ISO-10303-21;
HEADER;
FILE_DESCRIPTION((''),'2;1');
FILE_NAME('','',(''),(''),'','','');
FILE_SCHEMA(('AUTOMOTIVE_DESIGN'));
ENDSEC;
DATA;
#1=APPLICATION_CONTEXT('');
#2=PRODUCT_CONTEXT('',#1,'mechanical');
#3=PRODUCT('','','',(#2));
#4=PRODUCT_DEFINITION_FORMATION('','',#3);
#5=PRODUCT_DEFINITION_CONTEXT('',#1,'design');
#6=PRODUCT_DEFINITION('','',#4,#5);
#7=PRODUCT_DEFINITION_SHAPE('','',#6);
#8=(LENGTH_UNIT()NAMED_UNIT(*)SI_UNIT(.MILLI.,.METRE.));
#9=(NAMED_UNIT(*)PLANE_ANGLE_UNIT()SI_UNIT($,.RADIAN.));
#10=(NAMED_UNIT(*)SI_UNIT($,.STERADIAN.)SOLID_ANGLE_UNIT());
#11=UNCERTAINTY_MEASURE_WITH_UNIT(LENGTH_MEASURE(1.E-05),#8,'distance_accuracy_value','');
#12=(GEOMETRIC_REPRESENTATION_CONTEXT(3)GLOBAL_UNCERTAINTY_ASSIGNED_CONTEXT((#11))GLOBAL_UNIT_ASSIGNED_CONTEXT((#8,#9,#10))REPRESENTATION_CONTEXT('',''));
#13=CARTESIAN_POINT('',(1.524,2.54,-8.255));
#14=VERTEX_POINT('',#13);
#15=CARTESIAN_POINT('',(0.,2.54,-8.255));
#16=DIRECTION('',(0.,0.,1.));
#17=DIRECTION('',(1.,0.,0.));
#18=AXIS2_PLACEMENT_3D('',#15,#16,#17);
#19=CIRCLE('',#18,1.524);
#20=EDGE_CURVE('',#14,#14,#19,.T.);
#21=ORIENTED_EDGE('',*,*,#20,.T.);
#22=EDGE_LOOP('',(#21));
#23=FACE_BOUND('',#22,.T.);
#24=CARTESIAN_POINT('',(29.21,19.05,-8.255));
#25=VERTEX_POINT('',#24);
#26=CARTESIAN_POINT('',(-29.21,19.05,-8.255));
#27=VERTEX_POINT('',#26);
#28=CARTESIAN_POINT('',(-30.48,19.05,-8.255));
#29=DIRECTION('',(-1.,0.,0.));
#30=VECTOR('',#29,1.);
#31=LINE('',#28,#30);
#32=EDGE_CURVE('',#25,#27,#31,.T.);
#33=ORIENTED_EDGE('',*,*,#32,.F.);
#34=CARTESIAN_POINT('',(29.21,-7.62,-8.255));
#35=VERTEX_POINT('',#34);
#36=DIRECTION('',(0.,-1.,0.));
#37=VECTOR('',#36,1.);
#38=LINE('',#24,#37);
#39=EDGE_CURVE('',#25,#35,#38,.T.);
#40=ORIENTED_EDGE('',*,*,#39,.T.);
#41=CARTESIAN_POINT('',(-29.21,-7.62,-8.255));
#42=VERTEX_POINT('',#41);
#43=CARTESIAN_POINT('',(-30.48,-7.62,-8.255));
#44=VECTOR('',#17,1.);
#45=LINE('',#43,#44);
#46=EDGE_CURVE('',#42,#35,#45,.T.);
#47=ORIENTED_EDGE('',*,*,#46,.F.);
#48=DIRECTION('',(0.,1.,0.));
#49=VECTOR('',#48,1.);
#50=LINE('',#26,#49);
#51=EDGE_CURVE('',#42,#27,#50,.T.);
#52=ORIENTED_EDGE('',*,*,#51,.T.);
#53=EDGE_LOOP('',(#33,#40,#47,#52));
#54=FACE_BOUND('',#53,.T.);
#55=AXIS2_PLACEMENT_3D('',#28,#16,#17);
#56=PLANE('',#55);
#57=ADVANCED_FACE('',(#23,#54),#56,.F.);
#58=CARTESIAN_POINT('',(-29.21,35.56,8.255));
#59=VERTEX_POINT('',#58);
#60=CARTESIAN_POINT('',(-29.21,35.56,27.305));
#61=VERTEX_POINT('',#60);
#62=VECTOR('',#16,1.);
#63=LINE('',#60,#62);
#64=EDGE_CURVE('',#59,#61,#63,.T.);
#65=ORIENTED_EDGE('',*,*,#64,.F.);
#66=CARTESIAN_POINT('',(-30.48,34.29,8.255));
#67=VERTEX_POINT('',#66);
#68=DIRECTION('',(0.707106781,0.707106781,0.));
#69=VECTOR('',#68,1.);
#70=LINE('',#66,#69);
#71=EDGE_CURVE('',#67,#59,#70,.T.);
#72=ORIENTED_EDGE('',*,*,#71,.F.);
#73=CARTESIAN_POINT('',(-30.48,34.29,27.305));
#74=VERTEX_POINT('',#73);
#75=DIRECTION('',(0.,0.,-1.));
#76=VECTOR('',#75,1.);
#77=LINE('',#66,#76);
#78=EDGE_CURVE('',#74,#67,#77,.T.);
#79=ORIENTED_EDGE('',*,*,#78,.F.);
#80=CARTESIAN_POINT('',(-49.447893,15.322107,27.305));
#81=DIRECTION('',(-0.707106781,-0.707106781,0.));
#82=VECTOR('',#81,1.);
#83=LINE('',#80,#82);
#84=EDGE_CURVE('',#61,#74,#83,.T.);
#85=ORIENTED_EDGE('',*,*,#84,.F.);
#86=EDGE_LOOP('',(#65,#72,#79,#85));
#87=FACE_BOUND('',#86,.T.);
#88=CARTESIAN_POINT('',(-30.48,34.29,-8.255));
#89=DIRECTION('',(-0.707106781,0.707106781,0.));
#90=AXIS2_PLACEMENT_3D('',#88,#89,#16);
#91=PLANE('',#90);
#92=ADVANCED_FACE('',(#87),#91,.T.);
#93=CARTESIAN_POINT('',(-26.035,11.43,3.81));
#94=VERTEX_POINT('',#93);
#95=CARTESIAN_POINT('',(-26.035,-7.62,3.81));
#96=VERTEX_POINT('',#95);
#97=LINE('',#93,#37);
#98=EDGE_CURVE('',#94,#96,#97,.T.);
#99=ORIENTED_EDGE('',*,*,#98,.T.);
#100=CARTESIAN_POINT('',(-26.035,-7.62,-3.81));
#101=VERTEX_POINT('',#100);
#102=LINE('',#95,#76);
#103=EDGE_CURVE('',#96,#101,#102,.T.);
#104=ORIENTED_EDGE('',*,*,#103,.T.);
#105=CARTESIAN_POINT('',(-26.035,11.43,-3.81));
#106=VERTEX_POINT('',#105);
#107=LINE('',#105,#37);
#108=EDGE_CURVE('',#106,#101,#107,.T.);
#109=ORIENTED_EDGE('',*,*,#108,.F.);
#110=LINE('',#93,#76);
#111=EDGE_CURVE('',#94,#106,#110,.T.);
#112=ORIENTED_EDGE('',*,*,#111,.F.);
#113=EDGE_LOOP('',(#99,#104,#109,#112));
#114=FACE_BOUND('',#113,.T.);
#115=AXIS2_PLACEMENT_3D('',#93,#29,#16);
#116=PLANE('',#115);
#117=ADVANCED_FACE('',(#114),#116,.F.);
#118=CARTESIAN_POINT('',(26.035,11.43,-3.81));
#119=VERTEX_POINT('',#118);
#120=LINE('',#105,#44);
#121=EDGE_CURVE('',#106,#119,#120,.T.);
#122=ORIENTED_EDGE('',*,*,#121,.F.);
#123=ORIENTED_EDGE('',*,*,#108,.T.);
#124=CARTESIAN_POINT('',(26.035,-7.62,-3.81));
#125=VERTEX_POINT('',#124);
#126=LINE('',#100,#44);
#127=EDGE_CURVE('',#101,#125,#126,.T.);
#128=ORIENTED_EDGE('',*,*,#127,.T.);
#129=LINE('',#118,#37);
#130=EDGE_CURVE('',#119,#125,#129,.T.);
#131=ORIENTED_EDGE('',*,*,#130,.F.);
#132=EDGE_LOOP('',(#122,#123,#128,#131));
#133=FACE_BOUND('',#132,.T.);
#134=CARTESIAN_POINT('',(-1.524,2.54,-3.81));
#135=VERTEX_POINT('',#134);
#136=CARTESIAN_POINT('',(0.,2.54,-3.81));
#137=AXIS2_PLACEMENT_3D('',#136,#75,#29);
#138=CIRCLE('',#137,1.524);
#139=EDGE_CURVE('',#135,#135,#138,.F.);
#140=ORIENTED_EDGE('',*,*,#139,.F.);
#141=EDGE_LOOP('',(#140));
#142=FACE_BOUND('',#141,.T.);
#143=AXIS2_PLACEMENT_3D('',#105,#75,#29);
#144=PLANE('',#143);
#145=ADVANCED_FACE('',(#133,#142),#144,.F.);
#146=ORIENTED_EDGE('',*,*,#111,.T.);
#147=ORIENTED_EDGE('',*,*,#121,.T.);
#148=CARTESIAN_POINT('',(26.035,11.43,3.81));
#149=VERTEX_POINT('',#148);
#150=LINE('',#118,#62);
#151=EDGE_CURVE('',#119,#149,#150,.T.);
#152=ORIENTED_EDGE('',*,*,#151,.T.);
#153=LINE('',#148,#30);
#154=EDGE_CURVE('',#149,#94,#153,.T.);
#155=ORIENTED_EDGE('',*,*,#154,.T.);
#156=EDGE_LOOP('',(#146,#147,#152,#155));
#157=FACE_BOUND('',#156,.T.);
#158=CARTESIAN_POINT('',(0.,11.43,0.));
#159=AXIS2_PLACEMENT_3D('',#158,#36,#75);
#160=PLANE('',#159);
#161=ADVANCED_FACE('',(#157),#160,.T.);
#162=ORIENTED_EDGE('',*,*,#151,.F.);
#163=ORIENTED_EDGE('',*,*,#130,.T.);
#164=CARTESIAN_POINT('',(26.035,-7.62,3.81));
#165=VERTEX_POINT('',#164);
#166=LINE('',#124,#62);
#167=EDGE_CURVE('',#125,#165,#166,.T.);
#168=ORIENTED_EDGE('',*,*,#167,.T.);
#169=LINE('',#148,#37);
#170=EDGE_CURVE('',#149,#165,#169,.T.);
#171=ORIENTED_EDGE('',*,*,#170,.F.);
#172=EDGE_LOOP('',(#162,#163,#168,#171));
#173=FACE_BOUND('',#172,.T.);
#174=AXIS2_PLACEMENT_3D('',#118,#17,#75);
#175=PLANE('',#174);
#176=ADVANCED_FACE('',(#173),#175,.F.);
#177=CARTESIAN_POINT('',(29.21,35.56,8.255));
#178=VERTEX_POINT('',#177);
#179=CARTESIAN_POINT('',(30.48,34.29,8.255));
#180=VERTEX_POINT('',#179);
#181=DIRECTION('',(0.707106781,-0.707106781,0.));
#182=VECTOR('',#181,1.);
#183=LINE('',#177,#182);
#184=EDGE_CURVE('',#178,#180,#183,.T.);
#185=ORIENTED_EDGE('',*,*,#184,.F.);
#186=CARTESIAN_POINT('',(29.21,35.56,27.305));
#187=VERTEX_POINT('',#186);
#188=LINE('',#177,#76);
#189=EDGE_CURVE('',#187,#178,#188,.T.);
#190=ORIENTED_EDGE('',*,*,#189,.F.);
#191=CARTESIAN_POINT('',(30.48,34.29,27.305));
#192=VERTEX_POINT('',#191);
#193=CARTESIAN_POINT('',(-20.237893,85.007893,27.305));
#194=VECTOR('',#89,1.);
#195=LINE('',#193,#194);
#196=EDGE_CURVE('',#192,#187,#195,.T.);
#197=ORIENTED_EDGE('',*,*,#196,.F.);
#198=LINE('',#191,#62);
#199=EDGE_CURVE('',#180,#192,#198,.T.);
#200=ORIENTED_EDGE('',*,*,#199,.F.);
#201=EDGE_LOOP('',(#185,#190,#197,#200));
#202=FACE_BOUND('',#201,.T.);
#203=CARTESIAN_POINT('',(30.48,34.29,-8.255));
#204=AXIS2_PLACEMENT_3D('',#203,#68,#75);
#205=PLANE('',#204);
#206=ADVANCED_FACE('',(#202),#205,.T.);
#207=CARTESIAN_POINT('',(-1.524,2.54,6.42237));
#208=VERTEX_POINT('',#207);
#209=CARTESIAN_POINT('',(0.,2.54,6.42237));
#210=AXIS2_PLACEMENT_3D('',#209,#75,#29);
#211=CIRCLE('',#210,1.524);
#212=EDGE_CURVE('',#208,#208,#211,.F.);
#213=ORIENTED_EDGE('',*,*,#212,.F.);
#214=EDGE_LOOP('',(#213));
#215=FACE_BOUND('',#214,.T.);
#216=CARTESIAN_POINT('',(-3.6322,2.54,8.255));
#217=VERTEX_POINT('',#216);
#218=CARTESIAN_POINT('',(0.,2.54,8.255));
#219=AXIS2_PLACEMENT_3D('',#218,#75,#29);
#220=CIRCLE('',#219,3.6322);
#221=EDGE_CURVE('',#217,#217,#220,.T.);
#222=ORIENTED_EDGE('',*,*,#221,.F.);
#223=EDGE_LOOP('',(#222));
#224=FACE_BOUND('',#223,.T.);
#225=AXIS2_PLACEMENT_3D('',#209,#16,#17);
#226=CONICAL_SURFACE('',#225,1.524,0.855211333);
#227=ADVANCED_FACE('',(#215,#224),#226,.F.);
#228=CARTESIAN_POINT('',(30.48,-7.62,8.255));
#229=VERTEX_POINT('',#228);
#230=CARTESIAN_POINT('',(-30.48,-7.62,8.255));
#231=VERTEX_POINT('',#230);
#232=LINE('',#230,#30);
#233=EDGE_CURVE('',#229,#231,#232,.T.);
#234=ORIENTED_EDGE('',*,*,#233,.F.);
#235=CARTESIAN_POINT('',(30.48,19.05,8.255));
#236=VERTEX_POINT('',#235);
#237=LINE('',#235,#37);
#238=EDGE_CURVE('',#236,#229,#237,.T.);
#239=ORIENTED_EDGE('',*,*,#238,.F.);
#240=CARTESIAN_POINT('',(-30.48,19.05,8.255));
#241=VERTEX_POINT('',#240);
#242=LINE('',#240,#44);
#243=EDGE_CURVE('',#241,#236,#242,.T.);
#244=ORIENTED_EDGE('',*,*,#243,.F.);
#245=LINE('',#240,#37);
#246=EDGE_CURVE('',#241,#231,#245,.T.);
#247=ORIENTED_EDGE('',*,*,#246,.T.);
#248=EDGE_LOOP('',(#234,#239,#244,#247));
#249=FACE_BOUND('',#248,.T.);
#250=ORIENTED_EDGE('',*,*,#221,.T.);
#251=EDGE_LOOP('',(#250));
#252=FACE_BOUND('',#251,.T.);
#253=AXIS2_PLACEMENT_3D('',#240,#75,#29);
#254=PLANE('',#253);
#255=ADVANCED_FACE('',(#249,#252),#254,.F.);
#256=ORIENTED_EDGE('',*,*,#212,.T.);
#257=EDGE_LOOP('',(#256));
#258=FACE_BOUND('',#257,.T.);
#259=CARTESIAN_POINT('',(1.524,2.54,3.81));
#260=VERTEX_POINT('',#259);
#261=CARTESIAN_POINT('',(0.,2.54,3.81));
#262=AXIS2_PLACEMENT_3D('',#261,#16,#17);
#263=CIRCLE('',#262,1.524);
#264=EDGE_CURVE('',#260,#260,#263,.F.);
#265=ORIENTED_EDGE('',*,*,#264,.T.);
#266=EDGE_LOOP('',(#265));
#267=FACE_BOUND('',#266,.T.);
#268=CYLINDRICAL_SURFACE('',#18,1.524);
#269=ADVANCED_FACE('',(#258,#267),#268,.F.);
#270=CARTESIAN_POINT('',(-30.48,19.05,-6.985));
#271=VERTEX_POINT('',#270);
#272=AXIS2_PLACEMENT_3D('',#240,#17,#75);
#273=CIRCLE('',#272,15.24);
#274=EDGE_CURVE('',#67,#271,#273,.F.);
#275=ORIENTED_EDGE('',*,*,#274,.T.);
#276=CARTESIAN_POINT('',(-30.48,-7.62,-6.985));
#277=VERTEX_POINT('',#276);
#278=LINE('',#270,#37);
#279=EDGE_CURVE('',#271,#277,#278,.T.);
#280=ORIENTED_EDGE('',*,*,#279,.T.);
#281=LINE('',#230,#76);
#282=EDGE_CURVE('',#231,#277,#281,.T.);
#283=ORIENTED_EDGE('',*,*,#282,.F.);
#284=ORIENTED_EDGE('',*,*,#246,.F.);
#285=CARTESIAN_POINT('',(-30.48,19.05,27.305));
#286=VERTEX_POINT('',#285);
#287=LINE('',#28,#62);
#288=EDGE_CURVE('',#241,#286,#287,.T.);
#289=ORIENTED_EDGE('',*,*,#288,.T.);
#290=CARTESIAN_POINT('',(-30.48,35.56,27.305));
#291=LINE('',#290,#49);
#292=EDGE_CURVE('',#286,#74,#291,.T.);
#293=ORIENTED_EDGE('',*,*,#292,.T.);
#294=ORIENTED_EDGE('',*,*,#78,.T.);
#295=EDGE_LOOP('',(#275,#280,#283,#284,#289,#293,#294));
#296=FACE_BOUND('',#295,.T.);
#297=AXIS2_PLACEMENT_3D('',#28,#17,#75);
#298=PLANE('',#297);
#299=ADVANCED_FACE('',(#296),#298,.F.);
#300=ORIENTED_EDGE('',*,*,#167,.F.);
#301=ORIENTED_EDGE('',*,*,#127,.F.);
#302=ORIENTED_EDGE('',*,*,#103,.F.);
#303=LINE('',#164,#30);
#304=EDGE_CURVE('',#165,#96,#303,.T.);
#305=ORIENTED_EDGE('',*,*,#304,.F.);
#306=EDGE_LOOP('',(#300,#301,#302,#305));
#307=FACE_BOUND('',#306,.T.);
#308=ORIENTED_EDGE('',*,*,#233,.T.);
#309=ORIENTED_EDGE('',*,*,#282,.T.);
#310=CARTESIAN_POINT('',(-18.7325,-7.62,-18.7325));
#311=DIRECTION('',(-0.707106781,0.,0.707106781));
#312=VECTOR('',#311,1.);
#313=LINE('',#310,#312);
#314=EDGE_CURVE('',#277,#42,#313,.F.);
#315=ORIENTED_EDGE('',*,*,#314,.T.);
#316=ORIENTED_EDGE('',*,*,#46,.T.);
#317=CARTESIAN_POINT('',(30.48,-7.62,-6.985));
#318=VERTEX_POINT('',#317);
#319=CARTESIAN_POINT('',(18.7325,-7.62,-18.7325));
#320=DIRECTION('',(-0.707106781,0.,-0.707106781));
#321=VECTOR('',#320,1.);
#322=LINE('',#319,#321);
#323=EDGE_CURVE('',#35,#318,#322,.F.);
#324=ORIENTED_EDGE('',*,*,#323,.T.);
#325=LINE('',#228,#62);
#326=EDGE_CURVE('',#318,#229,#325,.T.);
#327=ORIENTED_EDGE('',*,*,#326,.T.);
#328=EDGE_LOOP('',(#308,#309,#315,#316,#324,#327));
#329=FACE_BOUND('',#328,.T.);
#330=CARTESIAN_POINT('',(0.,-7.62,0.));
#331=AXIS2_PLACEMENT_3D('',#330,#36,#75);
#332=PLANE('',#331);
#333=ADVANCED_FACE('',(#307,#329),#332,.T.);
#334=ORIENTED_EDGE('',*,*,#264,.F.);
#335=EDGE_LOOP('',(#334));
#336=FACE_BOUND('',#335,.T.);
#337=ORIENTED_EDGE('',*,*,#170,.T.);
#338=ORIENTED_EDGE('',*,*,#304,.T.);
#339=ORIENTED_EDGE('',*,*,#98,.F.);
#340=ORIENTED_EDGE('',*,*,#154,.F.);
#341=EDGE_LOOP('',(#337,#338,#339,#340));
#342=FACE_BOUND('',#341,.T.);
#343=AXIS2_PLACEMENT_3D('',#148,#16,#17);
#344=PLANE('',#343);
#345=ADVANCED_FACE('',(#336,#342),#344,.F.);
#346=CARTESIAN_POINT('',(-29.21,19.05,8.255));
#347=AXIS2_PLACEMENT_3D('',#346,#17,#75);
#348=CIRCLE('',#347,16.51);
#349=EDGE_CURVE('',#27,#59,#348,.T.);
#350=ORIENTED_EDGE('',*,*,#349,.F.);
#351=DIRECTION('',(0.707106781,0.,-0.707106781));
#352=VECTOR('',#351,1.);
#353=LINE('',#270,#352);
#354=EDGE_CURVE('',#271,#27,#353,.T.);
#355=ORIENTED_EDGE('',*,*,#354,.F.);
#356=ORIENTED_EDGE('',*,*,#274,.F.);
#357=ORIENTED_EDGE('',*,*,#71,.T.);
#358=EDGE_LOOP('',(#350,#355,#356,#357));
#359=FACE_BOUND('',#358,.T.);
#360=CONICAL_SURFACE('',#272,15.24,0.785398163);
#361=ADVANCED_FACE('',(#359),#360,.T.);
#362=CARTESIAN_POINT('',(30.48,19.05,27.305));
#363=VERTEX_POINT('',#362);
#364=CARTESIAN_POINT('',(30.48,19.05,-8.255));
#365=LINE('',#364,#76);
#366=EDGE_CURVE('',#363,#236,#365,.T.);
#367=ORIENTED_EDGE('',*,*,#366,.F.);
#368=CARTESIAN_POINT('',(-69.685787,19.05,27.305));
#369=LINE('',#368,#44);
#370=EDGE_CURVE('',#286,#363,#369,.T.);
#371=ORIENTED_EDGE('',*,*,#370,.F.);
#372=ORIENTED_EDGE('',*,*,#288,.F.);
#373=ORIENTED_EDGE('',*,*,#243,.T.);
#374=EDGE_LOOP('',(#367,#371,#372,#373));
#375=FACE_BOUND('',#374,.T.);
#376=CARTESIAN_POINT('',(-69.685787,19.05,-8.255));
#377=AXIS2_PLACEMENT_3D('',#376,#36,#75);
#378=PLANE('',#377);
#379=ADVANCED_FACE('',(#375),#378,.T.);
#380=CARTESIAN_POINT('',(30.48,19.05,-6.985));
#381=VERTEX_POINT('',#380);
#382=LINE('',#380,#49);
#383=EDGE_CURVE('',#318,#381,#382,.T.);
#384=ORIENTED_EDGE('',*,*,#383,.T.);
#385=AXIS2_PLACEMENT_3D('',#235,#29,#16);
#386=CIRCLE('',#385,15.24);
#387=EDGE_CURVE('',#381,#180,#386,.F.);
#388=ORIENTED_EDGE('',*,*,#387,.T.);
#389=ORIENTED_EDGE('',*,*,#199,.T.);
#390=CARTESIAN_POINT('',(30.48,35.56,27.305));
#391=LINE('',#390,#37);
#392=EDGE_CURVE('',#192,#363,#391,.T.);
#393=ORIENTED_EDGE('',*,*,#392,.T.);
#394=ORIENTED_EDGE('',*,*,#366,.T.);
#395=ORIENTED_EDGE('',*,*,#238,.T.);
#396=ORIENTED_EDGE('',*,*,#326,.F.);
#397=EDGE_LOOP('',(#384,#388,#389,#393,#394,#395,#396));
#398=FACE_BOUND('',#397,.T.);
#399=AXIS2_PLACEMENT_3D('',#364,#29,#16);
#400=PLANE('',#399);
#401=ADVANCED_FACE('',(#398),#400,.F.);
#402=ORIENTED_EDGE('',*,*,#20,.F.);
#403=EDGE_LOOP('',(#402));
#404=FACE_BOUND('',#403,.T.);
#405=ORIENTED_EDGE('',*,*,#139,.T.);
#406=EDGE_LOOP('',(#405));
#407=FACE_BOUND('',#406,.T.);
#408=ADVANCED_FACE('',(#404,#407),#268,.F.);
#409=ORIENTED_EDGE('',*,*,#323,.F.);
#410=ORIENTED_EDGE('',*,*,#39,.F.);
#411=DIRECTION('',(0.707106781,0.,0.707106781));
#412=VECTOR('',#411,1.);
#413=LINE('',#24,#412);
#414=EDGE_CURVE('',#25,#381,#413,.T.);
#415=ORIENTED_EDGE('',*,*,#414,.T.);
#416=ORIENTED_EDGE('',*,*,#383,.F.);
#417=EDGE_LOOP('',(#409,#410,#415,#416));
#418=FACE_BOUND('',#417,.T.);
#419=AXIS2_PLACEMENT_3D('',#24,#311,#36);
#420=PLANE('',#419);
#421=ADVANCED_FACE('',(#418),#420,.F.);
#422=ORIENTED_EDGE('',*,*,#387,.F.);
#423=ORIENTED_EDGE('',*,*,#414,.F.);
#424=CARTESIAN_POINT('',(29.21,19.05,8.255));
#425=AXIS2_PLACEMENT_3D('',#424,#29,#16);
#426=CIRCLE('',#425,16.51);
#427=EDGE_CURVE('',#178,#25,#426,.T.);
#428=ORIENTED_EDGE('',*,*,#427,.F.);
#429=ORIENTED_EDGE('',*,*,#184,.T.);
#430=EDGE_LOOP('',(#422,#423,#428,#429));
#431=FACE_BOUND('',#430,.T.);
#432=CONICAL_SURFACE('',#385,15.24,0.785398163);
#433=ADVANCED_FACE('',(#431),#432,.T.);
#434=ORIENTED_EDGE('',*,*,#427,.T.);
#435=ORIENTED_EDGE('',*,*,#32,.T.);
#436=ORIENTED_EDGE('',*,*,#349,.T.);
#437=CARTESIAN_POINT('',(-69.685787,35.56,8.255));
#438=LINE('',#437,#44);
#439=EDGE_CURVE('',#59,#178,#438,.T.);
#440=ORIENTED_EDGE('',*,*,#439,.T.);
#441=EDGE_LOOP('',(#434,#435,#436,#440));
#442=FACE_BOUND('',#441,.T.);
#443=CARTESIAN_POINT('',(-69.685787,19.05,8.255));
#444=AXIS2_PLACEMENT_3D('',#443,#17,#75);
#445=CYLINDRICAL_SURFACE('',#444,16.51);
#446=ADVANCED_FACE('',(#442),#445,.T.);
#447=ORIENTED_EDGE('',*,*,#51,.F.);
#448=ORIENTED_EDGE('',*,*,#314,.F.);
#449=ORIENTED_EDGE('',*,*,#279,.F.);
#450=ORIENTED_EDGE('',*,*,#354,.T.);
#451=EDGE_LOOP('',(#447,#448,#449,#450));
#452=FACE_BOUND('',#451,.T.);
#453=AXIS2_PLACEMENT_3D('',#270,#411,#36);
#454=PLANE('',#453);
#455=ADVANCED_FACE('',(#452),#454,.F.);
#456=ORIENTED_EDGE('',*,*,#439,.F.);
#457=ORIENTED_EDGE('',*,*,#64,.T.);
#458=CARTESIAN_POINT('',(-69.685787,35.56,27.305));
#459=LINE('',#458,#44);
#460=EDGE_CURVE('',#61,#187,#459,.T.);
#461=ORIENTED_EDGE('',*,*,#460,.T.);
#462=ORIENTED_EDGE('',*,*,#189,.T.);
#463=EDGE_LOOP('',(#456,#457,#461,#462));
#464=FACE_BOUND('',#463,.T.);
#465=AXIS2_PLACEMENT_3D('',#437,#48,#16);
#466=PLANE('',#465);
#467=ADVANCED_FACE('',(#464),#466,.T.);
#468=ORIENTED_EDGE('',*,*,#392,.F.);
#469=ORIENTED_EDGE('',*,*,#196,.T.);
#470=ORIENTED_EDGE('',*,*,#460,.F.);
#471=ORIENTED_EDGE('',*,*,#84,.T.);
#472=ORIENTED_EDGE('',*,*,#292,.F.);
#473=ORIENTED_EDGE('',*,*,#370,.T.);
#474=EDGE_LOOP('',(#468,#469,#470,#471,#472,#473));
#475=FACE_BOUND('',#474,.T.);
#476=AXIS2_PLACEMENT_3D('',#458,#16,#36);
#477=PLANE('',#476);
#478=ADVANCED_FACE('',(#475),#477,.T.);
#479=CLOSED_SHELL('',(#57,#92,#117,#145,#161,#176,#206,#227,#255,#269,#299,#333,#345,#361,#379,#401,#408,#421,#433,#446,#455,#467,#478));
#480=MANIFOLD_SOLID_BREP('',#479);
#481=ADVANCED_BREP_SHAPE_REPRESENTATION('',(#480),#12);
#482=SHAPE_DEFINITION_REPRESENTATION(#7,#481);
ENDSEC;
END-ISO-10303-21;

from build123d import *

# Parameters (mm, degrees)
SKETCH1_W           = 60.96
SKETCH1_H           = 16.51
SKETCH1_W_2         = 50.8
SKETCH1_H_2         = 6.35
BOSS_EXTRUDE1_DEPTH = 19.05
BOSS_EXTRUDE2_DEPTH = 60.96
SKETCH6_W           = 60.96
SKETCH6_H           = 16.51
SKETCH6_W_2         = 50.8
SKETCH6_H_2         = 6.35
BOSS_EXTRUDE3_DEPTH = 7.62
SKETCH7_W           = 50.8
SKETCH7_H           = 6.35
BOSS_EXTRUDE4_DEPTH = 7.62
SKETCH9_R           = 1.524
CUT_EXTRUDE1_DEPTH  = 51.561314263
CHAMFER1_SIZE       = 2.1082
CHAMFER1_SIZE2      = 1.832630301
SKETCH11_W          = 52.07
SKETCH11_H          = 7.62
CUT_EXTRUDE2_DEPTH  = 19.05
CHAMFER2_SIZE       = 1.27


with BuildPart() as part:
    # Sketch1 → Boss-Extrude1 (new body)
    with BuildSketch(Plane(origin=(0, 0, 0), x_dir=(1, 0, 0), z_dir=(0, 1, 0))):
        Rectangle(SKETCH1_W, SKETCH1_H)
        Rectangle(SKETCH1_W_2, SKETCH1_H_2, mode=Mode.SUBTRACT)
    extrude(amount=BOSS_EXTRUDE1_DEPTH)

    # Sketch5 → Boss-Extrude2 (add)
    with BuildSketch(Plane(origin=(30.48, 0, 0), x_dir=(0, 0, -1), z_dir=(1, 0, 0))):
        with BuildLine():
            Line((-8.255, 35.56), (-27.305, 35.56))
            Line((-27.305, 35.56), (-27.305, 19.05))
            Line((-27.305, 19.05), (-8.255, 19.05))
            Line((-8.255, 19.05), (8.255, 19.05))
            ThreePointArc((8.255, 19.05), (3.419332957, 30.724332957), (-8.255, 35.56))
        make_face()
    extrude(amount=-BOSS_EXTRUDE2_DEPTH)

    # Sketch6 → Boss-Extrude3 (add)
    with BuildSketch(Plane.XZ):
        Rectangle(SKETCH6_W, SKETCH6_H)
        Rectangle(SKETCH6_W_2, SKETCH6_H_2, mode=Mode.SUBTRACT)
    extrude(amount=BOSS_EXTRUDE3_DEPTH)

    # Sketch7 → Boss-Extrude4 (add)
    with BuildSketch(Plane.XZ.offset(-19.05)):
        Rectangle(SKETCH7_W, SKETCH7_H)
    extrude(amount=BOSS_EXTRUDE4_DEPTH)

    # Sketch9 → Cut-Extrude1 (cut, through all)
    with BuildSketch(Plane.XY.offset(8.255)):
        with Locations((0, 2.54)):
            Circle(SKETCH9_R)
    extrude(amount=-CUT_EXTRUDE1_DEPTH, mode=Mode.SUBTRACT)

    # Chamfer1
    chamfer1_edges = [part.edges().sort_by_distance(p)[0] for p in [
        (-1.524, 2.54, 8.255),
    ]]
    chamfer1_side = [part.faces().sort_by_distance(p)[0] for p in [
        (0, 5.729313606, 8.255),
    ]]
    chamfer(chamfer1_edges, length=CHAMFER1_SIZE, length2=CHAMFER1_SIZE2, reference=chamfer1_side[0])

    # Sketch11 → Cut-Extrude2 (cut)
    with BuildSketch(Plane.XZ.offset(7.62)):
        Rectangle(SKETCH11_W, SKETCH11_H)
    extrude(amount=-CUT_EXTRUDE2_DEPTH, mode=Mode.SUBTRACT)

    # Chamfer2
    chamfer2_edges = [part.edges().sort_by_distance(p)[0] for p in [
        (30.48, 30.724332957, -3.419332957),
        (30.48, 35.56, 17.78),
        (-30.48, 30.724332957, -3.419332957),
        (-30.48, 35.56, 17.78),
        (-30.48, 5.715, -8.255),
        (30.48, 5.715, -8.255),
    ]]
    chamfer(chamfer2_edges, length=CHAMFER2_SIZE)


solid = part.part
